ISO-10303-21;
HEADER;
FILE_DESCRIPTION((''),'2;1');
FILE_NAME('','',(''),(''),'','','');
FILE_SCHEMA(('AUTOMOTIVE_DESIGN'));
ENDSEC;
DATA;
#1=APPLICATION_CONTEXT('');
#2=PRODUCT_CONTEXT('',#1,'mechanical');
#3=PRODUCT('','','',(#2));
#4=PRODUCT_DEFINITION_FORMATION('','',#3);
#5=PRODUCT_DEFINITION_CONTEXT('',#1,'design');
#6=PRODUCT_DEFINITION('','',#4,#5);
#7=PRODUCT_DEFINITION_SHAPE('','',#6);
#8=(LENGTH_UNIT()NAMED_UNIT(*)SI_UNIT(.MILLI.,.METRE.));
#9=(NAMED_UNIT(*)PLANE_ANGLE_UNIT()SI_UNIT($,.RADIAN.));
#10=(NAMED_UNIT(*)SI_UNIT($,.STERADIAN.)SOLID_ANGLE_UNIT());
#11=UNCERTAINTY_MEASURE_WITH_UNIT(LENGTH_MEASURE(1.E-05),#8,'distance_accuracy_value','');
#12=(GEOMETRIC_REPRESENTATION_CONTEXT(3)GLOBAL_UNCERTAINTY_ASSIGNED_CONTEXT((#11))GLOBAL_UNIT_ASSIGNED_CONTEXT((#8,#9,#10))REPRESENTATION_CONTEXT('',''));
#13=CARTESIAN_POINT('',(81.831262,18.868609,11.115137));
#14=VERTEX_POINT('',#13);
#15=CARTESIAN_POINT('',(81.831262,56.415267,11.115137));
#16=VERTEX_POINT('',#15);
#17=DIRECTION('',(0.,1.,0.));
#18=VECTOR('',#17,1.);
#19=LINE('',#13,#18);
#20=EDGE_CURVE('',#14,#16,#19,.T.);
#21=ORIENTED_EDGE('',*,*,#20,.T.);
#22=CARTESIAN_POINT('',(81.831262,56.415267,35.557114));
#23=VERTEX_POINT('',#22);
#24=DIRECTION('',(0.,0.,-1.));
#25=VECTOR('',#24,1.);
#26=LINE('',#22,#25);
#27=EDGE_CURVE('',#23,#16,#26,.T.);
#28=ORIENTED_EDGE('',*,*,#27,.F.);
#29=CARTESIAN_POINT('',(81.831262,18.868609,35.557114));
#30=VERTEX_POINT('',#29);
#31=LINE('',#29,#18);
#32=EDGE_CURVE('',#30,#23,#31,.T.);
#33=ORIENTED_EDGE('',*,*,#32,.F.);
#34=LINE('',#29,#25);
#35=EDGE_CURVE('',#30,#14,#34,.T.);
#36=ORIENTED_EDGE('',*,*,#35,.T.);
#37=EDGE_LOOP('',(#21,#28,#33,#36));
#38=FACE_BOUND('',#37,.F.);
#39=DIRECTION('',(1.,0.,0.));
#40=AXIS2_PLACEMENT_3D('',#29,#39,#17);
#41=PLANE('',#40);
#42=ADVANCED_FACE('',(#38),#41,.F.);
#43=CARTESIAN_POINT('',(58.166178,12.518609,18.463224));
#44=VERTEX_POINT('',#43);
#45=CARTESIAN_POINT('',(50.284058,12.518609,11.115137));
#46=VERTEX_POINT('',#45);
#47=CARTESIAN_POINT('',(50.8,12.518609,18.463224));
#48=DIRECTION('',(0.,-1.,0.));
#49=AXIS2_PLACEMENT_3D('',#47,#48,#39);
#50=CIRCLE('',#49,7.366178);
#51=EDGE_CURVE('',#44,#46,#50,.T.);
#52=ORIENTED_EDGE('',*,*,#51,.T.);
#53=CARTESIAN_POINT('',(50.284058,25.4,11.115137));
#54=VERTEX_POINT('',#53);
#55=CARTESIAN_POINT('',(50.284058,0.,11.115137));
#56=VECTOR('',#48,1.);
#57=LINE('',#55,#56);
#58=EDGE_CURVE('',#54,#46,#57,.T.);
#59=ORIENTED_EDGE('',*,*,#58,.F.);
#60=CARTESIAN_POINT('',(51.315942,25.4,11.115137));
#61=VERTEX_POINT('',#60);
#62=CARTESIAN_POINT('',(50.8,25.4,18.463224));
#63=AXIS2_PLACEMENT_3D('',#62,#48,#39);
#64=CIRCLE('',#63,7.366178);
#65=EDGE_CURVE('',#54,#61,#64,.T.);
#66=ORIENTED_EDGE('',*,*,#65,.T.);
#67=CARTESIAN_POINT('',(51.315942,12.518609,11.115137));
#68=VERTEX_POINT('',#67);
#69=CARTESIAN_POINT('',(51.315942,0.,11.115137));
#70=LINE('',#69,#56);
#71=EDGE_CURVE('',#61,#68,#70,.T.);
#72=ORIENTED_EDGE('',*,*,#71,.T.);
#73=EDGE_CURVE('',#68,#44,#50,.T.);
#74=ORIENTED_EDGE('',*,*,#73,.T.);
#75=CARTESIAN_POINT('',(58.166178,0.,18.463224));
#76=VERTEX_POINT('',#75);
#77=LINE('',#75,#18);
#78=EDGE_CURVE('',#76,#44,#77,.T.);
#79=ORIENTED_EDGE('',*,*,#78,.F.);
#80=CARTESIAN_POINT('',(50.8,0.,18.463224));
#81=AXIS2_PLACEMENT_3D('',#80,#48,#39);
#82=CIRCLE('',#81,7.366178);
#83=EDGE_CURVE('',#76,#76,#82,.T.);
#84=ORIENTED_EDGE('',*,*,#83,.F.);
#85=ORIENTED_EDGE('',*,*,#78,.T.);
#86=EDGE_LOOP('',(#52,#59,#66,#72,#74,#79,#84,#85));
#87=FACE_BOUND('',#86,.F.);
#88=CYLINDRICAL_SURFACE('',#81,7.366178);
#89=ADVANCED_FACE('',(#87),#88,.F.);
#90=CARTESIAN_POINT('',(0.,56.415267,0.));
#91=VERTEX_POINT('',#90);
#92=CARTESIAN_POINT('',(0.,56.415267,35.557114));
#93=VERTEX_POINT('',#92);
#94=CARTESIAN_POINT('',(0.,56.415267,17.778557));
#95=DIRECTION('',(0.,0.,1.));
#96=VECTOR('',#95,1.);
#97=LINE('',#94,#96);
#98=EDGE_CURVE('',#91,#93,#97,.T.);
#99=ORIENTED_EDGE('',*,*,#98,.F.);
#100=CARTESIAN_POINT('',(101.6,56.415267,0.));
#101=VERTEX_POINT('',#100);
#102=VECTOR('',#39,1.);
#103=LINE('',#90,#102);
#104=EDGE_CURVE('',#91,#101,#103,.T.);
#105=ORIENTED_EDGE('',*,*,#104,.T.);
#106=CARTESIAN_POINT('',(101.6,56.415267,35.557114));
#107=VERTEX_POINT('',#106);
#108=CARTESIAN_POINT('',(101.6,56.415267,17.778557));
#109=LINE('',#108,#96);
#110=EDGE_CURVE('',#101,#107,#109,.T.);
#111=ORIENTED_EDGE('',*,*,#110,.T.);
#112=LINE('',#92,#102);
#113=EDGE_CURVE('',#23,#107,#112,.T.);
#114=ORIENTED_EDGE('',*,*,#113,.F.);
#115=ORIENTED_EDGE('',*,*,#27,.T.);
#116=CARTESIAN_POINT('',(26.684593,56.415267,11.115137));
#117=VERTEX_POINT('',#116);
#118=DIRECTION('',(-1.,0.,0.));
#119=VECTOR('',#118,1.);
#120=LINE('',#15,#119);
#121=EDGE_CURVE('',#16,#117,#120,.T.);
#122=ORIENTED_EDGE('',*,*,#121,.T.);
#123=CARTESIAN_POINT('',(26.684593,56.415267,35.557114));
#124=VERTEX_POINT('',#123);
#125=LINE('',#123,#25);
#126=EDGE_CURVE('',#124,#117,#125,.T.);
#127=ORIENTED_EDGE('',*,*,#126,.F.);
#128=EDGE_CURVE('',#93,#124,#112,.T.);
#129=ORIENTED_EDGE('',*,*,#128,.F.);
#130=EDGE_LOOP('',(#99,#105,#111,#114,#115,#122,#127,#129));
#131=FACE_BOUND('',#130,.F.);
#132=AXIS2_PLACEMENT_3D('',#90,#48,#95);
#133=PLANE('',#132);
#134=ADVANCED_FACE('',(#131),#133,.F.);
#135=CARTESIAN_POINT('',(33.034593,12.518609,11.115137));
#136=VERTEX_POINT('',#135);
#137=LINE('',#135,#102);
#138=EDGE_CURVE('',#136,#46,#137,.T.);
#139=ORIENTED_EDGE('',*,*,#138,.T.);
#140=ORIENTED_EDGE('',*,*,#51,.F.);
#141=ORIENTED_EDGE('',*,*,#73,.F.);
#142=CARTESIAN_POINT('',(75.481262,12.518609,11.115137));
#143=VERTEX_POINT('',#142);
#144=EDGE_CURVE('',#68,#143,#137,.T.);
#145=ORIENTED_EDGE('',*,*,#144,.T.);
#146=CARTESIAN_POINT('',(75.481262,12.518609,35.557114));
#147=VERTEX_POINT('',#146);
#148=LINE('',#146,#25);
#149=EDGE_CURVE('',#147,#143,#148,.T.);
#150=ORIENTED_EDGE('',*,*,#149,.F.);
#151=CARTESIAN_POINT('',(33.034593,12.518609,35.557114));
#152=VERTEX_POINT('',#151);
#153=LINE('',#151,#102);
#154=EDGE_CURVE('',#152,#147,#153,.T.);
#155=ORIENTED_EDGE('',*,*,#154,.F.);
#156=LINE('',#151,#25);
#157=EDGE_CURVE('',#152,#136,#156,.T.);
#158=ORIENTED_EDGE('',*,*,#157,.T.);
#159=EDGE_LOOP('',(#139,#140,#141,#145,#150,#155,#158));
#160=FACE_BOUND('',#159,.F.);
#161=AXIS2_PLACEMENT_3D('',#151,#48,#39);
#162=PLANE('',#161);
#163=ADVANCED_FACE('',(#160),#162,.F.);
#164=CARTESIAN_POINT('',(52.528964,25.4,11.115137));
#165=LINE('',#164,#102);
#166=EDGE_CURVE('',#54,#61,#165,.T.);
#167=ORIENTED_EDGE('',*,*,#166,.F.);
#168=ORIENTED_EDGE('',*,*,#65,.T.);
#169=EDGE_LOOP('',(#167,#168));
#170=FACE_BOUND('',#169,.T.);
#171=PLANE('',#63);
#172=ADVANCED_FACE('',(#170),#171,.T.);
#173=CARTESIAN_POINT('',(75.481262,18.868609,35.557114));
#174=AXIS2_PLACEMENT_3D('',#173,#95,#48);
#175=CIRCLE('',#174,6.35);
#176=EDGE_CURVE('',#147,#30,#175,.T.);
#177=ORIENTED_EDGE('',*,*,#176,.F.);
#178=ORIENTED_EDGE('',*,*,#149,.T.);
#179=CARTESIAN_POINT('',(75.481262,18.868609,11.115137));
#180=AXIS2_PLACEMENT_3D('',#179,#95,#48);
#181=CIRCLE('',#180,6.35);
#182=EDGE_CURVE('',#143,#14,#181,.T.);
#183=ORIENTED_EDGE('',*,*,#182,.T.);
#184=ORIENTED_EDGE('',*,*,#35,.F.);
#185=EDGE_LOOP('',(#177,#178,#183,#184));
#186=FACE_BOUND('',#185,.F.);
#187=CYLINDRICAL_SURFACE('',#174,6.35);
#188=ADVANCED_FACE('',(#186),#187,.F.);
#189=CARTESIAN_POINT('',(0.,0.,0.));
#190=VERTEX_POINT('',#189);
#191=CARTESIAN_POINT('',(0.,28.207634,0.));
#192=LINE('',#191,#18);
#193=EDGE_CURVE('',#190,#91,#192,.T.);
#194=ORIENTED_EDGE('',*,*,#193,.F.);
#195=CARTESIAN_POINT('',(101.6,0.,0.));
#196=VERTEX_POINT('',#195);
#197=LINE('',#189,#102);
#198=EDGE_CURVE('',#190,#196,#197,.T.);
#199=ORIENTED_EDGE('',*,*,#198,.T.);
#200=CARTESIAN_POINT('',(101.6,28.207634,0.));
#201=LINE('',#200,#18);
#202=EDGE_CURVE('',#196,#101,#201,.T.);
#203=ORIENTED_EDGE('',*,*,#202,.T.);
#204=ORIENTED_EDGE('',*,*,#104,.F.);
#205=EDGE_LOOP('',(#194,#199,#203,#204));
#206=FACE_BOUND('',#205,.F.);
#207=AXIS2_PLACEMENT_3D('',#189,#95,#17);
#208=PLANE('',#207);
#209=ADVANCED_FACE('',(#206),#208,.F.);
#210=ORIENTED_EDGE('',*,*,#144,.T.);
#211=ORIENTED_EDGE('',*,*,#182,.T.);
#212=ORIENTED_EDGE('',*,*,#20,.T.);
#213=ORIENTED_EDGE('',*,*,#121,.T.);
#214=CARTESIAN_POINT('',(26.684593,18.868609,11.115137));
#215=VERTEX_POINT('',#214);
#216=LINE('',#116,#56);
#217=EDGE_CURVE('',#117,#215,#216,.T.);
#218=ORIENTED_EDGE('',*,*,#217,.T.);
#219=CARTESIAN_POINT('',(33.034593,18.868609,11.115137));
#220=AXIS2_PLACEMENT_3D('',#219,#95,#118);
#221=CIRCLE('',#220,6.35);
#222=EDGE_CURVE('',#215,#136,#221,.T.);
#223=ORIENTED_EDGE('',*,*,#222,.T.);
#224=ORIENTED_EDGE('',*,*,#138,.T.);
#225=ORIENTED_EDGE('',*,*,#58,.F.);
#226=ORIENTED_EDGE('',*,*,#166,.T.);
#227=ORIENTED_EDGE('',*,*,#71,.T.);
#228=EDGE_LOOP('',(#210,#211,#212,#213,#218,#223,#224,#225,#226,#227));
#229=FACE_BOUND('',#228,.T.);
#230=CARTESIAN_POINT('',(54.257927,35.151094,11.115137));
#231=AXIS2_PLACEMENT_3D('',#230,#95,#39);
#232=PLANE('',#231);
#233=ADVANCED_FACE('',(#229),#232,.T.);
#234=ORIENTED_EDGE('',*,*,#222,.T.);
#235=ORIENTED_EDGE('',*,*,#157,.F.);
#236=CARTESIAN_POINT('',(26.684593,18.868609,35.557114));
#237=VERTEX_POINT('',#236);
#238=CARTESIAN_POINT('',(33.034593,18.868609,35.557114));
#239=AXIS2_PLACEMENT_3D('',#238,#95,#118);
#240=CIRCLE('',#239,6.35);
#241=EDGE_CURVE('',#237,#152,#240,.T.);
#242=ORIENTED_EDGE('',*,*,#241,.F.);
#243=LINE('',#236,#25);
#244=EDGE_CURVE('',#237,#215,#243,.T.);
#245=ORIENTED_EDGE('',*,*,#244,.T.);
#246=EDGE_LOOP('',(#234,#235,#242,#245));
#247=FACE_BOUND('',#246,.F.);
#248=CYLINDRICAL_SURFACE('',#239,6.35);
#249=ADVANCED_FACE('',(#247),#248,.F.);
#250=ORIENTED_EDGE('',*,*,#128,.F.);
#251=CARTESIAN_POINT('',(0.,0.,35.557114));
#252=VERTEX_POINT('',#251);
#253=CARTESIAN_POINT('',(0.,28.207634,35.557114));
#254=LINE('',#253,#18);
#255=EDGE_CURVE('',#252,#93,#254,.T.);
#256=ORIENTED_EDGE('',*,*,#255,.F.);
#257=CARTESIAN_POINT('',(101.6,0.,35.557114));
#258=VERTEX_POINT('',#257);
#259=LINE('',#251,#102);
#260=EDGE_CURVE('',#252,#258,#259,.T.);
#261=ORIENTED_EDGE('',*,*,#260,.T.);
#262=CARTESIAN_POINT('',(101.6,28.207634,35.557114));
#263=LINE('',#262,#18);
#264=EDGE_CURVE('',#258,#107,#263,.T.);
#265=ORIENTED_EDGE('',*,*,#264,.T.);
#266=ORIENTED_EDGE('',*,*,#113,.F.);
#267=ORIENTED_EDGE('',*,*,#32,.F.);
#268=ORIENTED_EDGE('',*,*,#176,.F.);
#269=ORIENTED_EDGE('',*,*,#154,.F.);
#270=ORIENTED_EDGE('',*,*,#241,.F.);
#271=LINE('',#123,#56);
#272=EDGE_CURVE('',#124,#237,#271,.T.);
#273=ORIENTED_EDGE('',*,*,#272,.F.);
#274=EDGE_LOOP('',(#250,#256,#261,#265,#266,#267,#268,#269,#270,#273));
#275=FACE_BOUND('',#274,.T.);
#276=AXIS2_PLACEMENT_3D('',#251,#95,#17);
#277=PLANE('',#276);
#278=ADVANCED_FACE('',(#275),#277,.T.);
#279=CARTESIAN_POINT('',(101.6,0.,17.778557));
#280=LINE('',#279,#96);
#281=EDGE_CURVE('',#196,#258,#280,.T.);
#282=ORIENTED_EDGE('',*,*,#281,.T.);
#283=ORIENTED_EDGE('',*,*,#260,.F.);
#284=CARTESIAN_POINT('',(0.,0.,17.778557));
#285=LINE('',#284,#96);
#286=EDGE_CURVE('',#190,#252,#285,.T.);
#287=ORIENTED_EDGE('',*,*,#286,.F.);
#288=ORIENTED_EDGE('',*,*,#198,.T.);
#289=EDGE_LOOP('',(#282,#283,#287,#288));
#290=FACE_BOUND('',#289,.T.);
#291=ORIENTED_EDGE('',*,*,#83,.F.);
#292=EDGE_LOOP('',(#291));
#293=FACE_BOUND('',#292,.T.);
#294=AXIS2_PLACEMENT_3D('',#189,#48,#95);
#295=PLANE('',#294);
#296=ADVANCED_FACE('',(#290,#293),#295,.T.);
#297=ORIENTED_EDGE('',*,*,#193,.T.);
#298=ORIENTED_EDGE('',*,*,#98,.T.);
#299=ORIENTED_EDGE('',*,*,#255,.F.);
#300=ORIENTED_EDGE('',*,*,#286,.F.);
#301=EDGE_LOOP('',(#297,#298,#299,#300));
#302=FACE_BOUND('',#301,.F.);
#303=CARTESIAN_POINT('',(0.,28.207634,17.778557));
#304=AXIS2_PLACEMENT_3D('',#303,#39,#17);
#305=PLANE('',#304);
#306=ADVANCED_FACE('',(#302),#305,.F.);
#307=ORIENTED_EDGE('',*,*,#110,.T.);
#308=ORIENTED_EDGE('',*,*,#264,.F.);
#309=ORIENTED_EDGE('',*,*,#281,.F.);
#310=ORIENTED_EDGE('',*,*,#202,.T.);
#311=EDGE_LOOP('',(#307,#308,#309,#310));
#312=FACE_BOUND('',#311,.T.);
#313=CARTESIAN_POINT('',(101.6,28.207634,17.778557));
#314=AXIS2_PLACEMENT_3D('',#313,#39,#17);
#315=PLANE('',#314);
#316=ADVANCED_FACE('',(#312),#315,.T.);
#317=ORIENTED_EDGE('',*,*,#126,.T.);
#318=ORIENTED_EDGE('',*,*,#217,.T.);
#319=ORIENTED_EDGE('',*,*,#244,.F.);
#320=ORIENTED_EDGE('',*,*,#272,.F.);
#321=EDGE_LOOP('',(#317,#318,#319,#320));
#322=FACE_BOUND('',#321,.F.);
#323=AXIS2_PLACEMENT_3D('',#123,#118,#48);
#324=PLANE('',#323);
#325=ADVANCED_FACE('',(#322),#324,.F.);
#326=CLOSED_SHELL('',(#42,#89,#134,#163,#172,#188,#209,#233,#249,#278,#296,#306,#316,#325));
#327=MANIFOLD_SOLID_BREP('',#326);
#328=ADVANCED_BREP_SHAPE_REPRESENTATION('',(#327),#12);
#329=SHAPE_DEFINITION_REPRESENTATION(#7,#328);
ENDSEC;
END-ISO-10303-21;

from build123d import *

# Parameters (mm, degrees)
F0_W     = 56.4152672887
F0_H     = 35.5571135879
F1_DEPTH = 101.6
F3_DEPTH = 24.4419761002
F4_R     = 7.3661777125
F5_DEPTH = 25.4


with BuildPart() as f1:
    # F0 (on Right) → F1 (new body)
    with BuildSketch(Plane.YZ):
        with Locations((28.2076336443, 17.7785567939)):
            Rectangle(F0_W, F0_H)
    extrude(amount=F1_DEPTH)

    # F2 (on face) → F3 (cut)
    with BuildSketch(Plane.XY.offset(35.5571135879)):
        with BuildLine():
            Line((81.8312615156, 18.8686089426), (81.8312615156, 56.4152672887))
            Line((81.8312615156, 56.4152672887), (26.6845934093, 56.4152672887))
            Line((26.6845934093, 56.4152672887), (26.6845934093, 18.8686089426))
            ThreePointArc((26.6845934093, 18.8686089426), (28.5444653488, 14.3784808821), (33.0345934093, 12.5186089426))
            Line((33.0345934093, 12.5186089426), (75.4812615156, 12.5186089426))
            ThreePointArc((75.4812615156, 12.5186089426), (79.9713895762, 14.3784808821), (81.8312615156, 18.8686089426))
        make_face()
    extrude(amount=-F3_DEPTH, mode=Mode.SUBTRACT)

    # F4 (on face) → F5 (cut)
    with BuildSketch(Plane.XZ):
        with Locations((50.8, 18.4632241726)):
            Circle(F4_R)
    extrude(amount=-F5_DEPTH, mode=Mode.SUBTRACT)


solid = f1.part
